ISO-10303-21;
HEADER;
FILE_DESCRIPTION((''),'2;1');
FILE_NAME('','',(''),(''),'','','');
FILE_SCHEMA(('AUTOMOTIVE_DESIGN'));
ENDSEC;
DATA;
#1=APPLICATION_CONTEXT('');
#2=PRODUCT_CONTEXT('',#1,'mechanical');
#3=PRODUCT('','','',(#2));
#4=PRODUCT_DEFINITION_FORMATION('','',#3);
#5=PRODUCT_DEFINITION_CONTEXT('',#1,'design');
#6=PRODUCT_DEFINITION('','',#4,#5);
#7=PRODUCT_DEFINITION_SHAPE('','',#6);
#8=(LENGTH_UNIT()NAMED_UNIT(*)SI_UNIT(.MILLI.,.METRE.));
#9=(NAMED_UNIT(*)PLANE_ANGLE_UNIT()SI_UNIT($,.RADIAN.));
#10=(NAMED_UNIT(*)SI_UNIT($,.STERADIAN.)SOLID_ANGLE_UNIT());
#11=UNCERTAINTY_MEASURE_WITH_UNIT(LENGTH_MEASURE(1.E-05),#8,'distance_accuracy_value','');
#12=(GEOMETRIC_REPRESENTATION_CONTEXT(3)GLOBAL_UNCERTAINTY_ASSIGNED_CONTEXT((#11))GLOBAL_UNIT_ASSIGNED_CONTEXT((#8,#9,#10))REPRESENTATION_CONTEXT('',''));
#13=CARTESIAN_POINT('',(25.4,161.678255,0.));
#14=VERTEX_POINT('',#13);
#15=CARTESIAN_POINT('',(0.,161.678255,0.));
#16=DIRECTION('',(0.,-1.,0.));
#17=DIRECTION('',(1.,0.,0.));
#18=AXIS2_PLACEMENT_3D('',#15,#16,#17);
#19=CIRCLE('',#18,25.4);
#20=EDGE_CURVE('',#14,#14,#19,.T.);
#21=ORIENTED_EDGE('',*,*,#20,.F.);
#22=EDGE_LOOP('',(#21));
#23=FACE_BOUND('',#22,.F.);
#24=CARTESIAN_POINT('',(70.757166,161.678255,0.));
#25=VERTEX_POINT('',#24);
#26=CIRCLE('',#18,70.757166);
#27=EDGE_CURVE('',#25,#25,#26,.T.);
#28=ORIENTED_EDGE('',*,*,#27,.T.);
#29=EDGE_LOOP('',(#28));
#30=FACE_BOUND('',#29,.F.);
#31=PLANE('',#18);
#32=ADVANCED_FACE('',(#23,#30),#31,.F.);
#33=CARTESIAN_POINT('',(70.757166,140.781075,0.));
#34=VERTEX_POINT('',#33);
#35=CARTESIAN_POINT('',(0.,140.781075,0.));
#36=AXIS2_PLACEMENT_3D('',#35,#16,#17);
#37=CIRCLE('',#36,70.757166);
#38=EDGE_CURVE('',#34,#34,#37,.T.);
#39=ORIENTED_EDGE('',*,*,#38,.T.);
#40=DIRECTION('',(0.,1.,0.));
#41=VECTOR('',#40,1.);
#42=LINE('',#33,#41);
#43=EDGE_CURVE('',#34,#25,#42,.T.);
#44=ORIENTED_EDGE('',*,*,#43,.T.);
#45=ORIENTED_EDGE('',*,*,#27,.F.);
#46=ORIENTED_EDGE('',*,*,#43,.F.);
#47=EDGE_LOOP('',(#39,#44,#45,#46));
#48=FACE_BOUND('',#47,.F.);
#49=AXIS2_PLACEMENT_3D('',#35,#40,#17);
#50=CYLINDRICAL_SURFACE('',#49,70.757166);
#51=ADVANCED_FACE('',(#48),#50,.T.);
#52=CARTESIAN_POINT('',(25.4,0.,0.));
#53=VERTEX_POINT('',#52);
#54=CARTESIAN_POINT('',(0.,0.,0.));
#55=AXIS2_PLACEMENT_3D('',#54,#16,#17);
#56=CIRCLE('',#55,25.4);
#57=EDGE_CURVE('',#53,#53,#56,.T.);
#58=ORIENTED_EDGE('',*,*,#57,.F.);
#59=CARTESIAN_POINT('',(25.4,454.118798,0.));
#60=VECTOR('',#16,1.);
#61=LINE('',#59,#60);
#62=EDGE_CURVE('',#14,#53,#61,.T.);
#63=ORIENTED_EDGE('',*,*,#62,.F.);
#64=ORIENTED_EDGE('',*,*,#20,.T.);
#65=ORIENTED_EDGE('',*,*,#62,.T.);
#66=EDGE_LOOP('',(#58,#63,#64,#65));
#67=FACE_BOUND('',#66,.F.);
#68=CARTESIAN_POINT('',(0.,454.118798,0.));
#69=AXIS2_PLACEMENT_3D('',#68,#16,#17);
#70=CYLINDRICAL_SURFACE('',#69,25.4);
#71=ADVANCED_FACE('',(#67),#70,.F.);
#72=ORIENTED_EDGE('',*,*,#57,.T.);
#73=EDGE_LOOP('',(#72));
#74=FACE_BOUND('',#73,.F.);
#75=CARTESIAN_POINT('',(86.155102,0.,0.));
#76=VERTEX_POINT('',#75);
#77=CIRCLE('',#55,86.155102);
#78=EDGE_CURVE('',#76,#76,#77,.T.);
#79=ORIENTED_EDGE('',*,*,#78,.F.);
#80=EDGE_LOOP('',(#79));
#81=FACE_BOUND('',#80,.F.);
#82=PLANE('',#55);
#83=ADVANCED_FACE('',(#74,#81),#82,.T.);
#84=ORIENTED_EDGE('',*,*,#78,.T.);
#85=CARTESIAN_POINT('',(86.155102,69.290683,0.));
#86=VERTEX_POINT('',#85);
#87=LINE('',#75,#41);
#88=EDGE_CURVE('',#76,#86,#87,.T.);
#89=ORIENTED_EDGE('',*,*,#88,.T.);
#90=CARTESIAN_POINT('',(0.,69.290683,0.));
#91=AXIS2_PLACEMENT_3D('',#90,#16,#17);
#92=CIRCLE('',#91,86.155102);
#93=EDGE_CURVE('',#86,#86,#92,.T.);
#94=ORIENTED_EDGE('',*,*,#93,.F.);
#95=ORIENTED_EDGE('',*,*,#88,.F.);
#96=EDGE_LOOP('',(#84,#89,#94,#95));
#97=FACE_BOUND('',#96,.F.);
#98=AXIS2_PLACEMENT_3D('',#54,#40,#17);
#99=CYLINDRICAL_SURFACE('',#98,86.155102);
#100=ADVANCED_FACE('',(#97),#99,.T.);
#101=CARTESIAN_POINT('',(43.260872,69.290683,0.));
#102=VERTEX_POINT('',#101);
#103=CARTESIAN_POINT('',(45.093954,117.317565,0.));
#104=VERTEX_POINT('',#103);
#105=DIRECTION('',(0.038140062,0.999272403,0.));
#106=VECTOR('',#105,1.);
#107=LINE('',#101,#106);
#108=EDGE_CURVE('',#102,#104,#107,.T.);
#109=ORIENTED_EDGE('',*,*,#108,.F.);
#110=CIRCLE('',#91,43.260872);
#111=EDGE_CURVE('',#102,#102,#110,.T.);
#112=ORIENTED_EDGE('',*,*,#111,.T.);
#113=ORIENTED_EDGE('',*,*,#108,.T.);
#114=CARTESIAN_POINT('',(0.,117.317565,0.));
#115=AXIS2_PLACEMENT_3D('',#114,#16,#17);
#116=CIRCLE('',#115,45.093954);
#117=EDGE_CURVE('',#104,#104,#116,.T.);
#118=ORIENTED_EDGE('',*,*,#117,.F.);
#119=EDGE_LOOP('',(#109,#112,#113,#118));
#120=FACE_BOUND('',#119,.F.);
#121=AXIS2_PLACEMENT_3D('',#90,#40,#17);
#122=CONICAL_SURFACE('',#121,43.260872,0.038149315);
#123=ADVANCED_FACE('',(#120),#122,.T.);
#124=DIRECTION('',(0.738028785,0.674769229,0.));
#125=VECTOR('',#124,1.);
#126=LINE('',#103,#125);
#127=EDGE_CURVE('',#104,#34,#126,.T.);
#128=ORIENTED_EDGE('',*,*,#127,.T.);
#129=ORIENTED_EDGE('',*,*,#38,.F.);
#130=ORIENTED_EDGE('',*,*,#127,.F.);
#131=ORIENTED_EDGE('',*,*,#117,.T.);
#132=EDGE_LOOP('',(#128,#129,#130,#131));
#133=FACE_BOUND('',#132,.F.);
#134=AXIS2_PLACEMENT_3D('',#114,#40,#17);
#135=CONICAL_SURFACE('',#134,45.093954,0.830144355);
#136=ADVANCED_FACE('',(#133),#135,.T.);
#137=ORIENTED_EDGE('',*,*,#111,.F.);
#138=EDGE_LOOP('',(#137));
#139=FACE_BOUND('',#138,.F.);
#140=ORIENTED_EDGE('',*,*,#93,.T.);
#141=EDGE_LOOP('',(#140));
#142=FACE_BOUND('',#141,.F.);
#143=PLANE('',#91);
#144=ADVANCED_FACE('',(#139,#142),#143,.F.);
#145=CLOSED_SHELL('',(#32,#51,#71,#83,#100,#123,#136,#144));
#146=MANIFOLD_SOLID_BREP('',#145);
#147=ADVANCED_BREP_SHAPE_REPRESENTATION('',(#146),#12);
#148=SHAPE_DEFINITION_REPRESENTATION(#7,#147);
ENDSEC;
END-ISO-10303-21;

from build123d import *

# Parameters (mm, degrees)
F3_D = 50.8


with BuildPart() as f1:
    # F0 (on Top) → F1 (revolve)
    with BuildSketch(Plane.XY):
        Polygon((0, 161.678255), (0, 0), (86.155102, 0), (86.155102, 69.290683), (43.260872, 69.290683), (45.093954, 117.317565), (70.757166, 140.781075), (70.757166, 161.678255), align=None)
    revolve(axis=Axis((0, 80.839127, 0), (0, -1, 0)))

    # F3 (through all)
    with Locations(Plane(origin=(0, 161.678255, 0), x_dir=(-1, 0, 0), z_dir=(0, 1, 0))):
        with Locations((0, 0)):
            Hole(F3_D / 2)


solid = f1.part
